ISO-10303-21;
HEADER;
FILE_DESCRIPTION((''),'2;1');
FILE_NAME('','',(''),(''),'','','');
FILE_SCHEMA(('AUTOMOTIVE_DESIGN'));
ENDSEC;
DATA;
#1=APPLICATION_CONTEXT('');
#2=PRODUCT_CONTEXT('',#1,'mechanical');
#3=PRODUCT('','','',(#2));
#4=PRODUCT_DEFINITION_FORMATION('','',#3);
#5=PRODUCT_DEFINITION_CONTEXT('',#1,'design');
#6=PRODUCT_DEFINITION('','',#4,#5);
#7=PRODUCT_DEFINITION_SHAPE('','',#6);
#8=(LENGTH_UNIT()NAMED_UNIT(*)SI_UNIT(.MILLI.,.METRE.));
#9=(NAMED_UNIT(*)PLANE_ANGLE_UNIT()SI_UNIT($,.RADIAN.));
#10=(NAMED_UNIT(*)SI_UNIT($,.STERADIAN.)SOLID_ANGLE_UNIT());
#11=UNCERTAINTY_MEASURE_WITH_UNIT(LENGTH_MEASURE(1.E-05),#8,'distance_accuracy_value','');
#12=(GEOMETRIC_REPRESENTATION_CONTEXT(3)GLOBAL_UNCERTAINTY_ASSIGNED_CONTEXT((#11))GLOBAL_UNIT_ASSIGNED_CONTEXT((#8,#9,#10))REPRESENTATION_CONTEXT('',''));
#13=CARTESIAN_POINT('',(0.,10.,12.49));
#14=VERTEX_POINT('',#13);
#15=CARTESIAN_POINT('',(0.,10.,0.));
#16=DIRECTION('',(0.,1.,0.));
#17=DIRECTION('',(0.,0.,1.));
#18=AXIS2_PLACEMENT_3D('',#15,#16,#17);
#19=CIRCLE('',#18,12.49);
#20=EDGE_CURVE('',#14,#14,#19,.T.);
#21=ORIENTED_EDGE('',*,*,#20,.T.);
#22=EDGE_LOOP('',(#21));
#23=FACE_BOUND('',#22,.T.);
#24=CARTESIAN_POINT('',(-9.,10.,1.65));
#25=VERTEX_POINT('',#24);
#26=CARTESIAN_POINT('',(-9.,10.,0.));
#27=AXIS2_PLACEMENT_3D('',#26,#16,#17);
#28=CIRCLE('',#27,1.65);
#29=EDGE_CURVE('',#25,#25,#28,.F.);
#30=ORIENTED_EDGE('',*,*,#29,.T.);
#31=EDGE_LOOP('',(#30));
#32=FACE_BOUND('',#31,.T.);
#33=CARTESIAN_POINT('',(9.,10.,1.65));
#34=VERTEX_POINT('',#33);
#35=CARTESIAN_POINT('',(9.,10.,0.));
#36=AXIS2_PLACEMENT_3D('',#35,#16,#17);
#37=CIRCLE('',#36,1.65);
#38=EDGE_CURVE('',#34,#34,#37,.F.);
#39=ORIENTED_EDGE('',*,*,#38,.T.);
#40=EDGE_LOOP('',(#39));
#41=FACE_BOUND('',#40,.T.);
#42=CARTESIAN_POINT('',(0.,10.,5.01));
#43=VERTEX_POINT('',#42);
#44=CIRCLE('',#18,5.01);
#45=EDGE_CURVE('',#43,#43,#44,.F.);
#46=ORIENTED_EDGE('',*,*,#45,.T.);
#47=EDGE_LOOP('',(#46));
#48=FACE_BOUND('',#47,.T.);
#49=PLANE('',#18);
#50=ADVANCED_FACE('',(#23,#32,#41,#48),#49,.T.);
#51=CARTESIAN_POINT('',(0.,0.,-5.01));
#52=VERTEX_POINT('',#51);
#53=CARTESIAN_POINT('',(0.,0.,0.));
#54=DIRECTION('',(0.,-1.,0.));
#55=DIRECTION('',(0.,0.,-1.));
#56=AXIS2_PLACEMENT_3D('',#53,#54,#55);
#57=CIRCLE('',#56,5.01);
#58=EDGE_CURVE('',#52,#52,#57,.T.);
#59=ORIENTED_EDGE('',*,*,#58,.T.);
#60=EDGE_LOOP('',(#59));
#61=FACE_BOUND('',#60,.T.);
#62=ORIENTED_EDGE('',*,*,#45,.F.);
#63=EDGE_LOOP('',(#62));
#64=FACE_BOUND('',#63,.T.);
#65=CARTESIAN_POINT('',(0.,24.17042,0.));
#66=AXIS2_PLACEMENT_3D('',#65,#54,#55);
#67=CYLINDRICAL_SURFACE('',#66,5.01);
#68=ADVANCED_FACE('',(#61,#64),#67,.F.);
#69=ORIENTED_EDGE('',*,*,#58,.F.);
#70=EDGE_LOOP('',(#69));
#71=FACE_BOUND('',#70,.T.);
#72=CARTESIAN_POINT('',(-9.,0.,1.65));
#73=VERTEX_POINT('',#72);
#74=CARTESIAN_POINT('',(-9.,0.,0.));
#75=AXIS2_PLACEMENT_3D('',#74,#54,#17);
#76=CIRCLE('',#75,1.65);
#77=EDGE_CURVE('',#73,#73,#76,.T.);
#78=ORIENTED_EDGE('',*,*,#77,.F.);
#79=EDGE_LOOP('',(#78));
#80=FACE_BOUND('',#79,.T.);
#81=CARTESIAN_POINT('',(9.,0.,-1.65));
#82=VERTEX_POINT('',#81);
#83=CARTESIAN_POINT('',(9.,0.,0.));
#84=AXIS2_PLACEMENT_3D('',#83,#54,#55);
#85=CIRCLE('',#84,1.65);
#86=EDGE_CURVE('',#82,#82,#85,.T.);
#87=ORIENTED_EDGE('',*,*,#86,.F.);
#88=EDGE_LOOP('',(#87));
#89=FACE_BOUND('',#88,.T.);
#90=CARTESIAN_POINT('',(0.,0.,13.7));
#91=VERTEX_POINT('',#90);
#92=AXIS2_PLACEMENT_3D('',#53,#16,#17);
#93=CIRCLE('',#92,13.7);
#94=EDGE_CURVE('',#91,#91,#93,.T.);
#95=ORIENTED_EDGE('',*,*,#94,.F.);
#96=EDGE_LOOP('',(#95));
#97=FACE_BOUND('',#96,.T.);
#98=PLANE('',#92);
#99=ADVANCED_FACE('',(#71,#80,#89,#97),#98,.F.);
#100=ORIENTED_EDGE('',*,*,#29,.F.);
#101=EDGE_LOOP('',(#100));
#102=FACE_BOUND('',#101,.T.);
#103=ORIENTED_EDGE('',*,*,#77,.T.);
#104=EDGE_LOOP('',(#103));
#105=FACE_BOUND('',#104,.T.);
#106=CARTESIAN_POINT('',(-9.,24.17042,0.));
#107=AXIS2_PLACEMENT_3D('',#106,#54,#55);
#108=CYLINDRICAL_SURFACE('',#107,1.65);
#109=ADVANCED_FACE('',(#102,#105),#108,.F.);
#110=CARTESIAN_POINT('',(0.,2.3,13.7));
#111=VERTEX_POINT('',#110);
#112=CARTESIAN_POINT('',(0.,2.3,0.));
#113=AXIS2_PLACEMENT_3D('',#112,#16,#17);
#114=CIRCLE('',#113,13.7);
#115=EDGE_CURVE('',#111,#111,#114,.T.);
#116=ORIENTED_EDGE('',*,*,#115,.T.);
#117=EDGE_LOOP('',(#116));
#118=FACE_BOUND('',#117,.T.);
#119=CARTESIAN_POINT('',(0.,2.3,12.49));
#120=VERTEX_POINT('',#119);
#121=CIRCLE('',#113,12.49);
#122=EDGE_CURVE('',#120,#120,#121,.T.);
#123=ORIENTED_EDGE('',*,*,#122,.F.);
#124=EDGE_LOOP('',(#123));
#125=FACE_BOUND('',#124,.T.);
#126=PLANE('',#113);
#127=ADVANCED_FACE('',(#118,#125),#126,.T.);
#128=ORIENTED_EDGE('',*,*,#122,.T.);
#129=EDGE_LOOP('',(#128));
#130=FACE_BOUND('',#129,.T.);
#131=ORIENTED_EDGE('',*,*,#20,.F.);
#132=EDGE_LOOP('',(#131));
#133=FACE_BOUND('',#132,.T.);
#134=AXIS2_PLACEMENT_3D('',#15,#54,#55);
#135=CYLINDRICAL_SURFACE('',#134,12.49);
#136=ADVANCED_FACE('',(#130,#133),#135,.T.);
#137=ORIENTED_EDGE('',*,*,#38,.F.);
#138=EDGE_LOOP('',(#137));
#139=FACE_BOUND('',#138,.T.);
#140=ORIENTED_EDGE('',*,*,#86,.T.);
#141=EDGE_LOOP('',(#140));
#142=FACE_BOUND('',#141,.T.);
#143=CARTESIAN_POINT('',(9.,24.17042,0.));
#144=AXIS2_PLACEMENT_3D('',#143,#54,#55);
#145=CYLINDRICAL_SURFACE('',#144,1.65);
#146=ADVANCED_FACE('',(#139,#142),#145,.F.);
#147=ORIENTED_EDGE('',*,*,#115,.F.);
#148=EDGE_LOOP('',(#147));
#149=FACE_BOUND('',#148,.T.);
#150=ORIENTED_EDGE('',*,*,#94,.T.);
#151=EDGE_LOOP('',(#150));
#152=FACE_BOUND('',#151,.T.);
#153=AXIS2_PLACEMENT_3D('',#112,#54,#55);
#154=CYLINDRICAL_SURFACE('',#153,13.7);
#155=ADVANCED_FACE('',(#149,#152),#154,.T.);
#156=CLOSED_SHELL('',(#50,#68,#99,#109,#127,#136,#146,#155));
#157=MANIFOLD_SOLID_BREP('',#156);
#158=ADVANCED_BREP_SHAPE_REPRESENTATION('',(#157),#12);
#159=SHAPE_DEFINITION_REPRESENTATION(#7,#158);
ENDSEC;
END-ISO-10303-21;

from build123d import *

# Parameters (mm, degrees)
SKETCH_1_R          = 13.7
EXTRUDE_1_DEPTH     = 2.3
SKETCH_2_R          = 12.49
EXTRUDE_2_DEPTH     = 7.7
SKETCH_3_R          = 5.01
SKETCH_3_R_2        = 1.65
CUT_EXTRUDE_1_DEPTH = 10


with BuildPart() as part:
    # ｽｹｯﾁ1 → ﾎﾞｽ - 押し出し1 (new body)
    with BuildSketch(Plane(origin=(0, 0, 0), x_dir=(1, 0, 0), z_dir=(0, 1, 0))):
        with Locations(Location((0, 0, 0), (0, 0, 270))):
            Circle(SKETCH_1_R)
    extrude(amount=EXTRUDE_1_DEPTH)

    # ｽｹｯﾁ2 → ﾎﾞｽ - 押し出し2 (add)
    with BuildSketch(Plane(origin=(0, 2.3, 0), x_dir=(1, 0, 0), z_dir=(0, 1, 0))):
        with Locations(Location((0, 0, 0), (0, 0, 270))):
            Circle(SKETCH_2_R)
    extrude(amount=EXTRUDE_2_DEPTH)

    # ｽｹｯﾁ3 → ｶｯﾄ - 押し出し1 (cut)
    with BuildSketch(Plane.XZ):
        with Locations(Location((0, 0, 0), (0, 0, 270))):
            Circle(SKETCH_3_R)
        with Locations(Location((9, 0, 0), (0, 0, 270))):
            Circle(SKETCH_3_R_2)
        with Locations(Location((-9, 0, 0), (0, 0, 90))):
            Circle(SKETCH_3_R_2)
    extrude(amount=-CUT_EXTRUDE_1_DEPTH, mode=Mode.SUBTRACT)


solid = part.part
